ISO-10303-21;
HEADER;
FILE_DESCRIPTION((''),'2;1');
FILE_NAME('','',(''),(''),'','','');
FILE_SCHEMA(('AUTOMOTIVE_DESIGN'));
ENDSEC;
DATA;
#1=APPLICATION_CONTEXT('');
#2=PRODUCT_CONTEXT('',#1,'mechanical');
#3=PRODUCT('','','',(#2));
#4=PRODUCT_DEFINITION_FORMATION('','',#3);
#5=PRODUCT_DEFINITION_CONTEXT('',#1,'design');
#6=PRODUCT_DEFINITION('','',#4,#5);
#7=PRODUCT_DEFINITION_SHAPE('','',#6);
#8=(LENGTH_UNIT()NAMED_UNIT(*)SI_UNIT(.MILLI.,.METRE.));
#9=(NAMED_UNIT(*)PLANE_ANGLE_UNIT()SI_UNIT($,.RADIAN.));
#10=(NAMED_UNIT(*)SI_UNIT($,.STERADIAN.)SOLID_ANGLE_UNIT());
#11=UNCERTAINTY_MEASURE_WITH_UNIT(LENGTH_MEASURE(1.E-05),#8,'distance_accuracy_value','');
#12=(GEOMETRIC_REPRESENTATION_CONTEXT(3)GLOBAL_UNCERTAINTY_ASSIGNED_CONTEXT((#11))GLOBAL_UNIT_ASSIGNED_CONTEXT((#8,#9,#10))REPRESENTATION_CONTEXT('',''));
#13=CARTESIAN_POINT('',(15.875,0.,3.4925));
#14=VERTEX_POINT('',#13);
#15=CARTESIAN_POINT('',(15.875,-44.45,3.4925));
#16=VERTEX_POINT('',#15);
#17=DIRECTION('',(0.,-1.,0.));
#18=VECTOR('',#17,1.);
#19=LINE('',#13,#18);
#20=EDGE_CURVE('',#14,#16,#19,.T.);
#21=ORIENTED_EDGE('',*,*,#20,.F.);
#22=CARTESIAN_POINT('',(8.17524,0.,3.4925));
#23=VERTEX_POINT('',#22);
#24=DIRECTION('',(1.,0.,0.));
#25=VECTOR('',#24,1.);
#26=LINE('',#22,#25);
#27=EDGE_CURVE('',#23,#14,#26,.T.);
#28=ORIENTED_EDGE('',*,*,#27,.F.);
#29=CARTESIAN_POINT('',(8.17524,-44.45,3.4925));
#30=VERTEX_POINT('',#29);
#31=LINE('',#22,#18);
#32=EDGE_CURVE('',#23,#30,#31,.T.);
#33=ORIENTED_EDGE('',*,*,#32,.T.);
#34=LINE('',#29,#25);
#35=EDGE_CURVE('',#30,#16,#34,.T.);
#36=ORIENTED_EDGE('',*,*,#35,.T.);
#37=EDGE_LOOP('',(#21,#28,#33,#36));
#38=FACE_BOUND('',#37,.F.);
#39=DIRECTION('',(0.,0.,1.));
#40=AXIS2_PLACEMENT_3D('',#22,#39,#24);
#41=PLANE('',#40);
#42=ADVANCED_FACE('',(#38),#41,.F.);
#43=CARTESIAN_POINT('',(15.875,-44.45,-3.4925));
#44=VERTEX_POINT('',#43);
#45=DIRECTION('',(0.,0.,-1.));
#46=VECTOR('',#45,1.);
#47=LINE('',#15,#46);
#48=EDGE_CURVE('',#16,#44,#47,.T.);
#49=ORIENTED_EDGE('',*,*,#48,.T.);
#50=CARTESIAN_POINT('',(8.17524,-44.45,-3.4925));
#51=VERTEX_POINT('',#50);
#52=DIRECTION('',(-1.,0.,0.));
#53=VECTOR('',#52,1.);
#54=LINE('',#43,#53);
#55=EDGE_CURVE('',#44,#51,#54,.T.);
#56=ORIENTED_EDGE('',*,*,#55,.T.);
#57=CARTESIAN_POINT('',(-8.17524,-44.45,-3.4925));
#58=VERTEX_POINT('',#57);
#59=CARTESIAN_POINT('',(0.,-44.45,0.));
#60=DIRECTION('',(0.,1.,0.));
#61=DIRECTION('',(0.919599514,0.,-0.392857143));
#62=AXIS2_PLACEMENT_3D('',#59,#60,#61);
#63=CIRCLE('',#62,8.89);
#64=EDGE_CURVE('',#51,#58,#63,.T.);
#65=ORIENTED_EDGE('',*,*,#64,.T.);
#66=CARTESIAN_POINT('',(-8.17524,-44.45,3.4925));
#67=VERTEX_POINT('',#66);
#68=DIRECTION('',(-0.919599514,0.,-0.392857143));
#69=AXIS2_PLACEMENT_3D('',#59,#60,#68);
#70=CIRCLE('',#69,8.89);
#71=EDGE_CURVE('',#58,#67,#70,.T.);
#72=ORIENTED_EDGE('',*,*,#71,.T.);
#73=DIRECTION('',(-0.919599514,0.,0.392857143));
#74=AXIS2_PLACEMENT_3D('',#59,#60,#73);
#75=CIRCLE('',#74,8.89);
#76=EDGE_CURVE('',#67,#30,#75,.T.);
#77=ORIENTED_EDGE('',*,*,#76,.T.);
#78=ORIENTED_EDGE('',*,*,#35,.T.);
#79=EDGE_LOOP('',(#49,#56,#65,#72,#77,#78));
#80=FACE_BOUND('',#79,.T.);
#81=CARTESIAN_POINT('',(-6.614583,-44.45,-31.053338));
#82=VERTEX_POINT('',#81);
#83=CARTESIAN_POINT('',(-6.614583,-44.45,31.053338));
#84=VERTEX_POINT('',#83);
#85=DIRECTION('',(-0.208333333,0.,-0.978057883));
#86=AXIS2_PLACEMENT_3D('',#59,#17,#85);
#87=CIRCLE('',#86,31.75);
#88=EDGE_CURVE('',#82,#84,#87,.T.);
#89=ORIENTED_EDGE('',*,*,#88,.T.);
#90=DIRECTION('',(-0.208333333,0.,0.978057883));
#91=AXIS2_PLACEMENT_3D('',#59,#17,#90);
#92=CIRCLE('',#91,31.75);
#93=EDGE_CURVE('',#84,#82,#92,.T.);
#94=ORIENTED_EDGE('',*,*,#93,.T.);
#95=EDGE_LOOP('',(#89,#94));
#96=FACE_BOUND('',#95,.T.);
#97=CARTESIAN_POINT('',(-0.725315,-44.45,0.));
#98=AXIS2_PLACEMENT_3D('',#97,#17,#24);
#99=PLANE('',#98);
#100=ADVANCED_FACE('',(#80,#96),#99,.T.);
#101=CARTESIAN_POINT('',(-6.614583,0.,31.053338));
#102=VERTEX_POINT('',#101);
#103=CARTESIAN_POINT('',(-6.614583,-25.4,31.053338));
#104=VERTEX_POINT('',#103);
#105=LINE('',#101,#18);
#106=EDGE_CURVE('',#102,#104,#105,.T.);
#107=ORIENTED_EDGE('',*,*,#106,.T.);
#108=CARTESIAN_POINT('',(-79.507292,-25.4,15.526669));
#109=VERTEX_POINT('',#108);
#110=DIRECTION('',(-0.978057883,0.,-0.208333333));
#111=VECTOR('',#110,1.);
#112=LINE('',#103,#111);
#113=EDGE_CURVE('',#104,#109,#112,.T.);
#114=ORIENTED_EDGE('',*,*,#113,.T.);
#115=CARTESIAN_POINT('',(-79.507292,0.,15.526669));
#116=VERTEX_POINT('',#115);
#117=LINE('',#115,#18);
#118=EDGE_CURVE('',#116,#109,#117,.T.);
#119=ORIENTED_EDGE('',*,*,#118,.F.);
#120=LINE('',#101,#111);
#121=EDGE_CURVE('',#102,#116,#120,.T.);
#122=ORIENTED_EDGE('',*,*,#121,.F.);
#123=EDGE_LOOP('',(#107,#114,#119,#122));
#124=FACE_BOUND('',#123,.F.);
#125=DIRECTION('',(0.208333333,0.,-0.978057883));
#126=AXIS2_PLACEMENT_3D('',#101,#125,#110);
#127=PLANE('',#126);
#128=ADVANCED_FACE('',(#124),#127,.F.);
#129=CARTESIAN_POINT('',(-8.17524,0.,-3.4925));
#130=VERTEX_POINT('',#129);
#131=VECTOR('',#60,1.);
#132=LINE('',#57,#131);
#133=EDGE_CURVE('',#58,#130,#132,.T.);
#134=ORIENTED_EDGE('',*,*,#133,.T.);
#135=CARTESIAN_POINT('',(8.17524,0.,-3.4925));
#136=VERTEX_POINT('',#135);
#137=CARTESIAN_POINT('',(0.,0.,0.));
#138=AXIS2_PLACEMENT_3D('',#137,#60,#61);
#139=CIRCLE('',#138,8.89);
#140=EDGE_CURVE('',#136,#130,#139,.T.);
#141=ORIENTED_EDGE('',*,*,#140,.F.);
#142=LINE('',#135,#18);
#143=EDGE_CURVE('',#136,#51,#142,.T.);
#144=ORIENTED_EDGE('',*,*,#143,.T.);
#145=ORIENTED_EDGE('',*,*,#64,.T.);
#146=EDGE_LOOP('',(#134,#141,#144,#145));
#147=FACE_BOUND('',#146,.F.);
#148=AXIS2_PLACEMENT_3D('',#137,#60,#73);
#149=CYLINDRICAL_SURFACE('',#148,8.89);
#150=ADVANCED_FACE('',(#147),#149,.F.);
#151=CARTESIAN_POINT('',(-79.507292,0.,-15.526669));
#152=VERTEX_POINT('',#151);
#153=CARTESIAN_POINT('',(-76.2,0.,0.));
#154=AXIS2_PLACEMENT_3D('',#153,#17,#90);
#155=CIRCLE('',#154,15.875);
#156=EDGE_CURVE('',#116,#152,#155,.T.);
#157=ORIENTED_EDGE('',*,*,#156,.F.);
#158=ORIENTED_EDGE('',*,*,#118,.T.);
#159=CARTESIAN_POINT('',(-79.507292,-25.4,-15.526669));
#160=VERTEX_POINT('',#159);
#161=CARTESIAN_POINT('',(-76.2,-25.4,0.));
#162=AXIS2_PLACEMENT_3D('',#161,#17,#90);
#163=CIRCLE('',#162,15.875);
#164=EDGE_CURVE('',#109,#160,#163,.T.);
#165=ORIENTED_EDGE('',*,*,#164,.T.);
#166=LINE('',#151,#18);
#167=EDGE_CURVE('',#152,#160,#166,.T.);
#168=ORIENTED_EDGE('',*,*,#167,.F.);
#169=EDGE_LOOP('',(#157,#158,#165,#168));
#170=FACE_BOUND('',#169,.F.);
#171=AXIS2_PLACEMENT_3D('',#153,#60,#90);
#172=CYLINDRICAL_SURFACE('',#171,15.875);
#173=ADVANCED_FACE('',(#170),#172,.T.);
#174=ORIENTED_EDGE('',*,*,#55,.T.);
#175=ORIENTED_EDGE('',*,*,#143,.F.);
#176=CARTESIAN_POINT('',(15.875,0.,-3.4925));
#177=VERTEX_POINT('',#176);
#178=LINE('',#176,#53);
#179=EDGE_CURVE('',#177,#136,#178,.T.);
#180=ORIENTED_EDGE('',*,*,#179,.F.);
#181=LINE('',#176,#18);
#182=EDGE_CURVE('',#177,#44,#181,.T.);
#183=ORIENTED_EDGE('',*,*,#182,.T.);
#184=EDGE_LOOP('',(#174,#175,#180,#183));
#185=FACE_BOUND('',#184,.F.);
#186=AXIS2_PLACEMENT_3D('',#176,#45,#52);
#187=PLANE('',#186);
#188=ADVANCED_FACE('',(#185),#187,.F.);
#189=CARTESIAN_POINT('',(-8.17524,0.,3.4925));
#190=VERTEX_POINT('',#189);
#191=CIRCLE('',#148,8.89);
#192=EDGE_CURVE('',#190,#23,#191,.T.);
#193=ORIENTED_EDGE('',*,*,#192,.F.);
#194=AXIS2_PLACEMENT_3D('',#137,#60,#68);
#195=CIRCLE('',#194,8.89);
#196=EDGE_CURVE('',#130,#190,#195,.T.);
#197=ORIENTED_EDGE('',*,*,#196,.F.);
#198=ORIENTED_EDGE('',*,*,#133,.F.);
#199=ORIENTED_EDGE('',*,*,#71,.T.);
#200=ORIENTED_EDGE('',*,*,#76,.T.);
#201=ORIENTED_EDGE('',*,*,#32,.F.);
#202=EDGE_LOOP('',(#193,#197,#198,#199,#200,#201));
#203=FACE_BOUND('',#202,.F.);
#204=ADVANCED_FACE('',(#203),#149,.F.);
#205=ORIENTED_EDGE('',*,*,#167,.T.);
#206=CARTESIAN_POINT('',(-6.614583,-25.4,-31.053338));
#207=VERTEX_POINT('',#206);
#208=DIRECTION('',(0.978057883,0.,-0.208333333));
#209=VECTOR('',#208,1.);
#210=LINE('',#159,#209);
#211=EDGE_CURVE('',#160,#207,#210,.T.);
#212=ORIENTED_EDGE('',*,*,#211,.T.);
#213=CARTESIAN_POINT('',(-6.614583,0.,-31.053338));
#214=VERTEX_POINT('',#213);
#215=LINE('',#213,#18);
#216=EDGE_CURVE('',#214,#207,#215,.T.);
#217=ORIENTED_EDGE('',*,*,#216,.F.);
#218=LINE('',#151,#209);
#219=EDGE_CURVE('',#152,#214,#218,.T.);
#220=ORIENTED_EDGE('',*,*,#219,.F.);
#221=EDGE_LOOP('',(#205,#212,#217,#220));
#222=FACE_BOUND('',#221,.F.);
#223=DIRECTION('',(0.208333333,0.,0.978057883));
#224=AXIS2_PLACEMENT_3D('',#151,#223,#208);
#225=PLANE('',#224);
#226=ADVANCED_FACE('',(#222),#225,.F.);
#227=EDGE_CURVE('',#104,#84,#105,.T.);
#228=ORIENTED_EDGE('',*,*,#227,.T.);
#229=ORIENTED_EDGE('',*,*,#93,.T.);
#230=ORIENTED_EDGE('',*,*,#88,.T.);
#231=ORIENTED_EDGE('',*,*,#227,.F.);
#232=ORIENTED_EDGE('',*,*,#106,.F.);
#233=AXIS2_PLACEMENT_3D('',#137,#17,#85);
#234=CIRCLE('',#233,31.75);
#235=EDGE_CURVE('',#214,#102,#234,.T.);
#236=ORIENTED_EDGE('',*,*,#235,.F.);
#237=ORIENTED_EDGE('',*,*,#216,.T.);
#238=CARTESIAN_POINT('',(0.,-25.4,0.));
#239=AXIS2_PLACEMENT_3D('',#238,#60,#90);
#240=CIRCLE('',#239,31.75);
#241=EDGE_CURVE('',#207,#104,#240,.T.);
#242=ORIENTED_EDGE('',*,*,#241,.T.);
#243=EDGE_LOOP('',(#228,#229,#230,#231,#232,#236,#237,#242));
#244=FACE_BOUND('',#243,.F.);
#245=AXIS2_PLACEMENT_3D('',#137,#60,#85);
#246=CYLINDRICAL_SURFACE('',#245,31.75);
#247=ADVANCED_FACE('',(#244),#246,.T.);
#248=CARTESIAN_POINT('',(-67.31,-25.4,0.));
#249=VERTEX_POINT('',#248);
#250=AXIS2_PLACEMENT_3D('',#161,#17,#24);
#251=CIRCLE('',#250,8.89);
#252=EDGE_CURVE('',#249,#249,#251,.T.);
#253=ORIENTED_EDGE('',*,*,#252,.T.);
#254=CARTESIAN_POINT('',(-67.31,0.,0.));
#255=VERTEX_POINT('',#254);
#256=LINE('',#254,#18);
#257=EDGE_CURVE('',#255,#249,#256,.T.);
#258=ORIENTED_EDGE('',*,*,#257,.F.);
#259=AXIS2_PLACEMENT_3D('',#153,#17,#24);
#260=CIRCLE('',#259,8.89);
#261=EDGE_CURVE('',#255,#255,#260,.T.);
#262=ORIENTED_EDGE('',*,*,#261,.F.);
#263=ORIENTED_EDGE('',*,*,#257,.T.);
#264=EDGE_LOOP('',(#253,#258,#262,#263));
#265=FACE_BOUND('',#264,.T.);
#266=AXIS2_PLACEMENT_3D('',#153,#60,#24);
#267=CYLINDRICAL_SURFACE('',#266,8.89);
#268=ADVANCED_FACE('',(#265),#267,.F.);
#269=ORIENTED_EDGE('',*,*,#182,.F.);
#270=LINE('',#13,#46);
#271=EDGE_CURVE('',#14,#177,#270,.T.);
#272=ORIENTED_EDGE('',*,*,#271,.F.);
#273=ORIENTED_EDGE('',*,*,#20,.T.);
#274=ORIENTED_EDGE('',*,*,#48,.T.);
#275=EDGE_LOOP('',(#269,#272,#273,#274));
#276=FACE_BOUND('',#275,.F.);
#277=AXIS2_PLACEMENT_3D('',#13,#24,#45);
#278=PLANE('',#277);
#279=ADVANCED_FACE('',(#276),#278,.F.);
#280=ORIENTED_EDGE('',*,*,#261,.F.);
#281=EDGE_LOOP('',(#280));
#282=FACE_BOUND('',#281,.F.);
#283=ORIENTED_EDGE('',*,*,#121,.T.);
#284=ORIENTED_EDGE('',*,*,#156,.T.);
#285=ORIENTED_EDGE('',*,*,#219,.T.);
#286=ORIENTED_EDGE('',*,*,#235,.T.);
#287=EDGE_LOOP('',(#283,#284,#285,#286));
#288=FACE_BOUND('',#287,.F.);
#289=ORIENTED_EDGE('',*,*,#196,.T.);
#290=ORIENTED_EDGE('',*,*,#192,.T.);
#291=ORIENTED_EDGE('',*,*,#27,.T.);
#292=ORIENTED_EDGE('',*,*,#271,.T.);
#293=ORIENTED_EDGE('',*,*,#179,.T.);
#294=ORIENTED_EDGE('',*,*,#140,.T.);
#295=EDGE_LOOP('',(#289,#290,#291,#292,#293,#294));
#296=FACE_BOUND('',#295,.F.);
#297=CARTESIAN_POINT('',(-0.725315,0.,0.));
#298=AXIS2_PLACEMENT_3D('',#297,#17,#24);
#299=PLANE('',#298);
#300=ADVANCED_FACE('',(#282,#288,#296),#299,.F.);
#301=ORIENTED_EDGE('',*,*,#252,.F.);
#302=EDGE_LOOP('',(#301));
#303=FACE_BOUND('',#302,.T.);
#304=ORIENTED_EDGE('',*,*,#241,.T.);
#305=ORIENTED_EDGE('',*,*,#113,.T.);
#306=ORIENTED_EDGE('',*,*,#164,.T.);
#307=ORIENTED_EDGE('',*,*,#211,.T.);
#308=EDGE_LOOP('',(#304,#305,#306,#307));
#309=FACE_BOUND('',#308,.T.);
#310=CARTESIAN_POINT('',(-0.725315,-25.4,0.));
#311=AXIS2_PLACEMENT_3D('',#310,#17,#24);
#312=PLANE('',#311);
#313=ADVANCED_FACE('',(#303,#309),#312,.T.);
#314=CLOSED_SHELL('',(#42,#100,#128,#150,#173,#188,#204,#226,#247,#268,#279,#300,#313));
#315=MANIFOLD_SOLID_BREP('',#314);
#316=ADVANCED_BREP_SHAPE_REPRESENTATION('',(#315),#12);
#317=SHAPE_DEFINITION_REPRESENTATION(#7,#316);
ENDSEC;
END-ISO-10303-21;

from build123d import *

# Parameters (mm, degrees)
F0_R     = 8.89
F1_DEPTH = 25.4
F2_DEPTH = 44.45


with BuildPart() as f1:
    # F0 (on Front) → F1 (new body)
    with BuildSketch(Plane.XZ):
        with BuildLine():
            ThreePointArc((-6.6145833333, -31.0533377808), (19.97560361, -24.6786904113), (31.75, 0))
            ThreePointArc((31.75, 0), (19.97560361, 24.6786904113), (-6.6145833333, 31.0533377808))
            ThreePointArc((-6.6145833333, 31.0533377808), (-31.75, 0), (-6.6145833333, -31.0533377808))
        make_face()
        with BuildLine():
            ThreePointArc((-8.1752396754, 3.4925), (0, 8.89), (8.1752396754, 3.4925))
            Line((8.1752396754, 3.4925), (15.875, 3.4925))
            Line((15.875, 3.4925), (15.875, -3.4925))
            Line((15.875, -3.4925), (8.1752396754, -3.4925))
            ThreePointArc((8.1752396754, -3.4925), (0, -8.89), (-8.1752396754, -3.4925))
            Line((-8.1752396754, -3.4925), (-15.875, -3.4925))
            Line((-15.875, -3.4925), (-15.875, 3.4925))
            Line((-15.875, 3.4925), (-8.1752396754, 3.4925))
        make_face(mode=Mode.SUBTRACT)
        with BuildLine():
            ThreePointArc((-6.6145833333, -31.0533377808), (-31.75, 0), (-6.6145833333, 31.0533377808))
            Line((-6.6145833333, 31.0533377808), (-79.5072916667, 15.5266688904))
            ThreePointArc((-79.5072916667, 15.5266688904), (-66.212198195, 12.3393452056), (-60.325, 0))
            ThreePointArc((-60.325, 0), (-66.212198195, -12.3393452056), (-79.5072916667, -15.5266688904))
            Line((-79.5072916667, -15.5266688904), (-6.6145833333, -31.0533377808))
        make_face()
        with BuildLine():
            ThreePointArc((-60.325, 0), (-66.212198195, 12.3393452056), (-79.5072916667, 15.5266688904))
            ThreePointArc((-79.5072916667, 15.5266688904), (-92.075, 0), (-79.5072916667, -15.5266688904))
            ThreePointArc((-79.5072916667, -15.5266688904), (-66.212198195, -12.3393452056), (-60.325, 0))
        make_face()
        with Locations((-76.2, 0)):
            Circle(F0_R, mode=Mode.SUBTRACT)
        with BuildLine():
            ThreePointArc((-8.1752396754, -3.4925), (-8.89, 0), (-8.1752396754, 3.4925))
            Line((-8.1752396754, 3.4925), (-15.875, 3.4925))
            Line((-15.875, 3.4925), (-15.875, -3.4925))
            Line((-15.875, -3.4925), (-8.1752396754, -3.4925))
        make_face()
    extrude(amount=F1_DEPTH)

    # F0 (on Front) → F2 (join)
    with BuildSketch(Plane.XZ):
        with BuildLine():
            ThreePointArc((-6.6145833333, -31.0533377808), (19.97560361, -24.6786904113), (31.75, 0))
            ThreePointArc((31.75, 0), (19.97560361, 24.6786904113), (-6.6145833333, 31.0533377808))
            ThreePointArc((-6.6145833333, 31.0533377808), (-31.75, 0), (-6.6145833333, -31.0533377808))
        make_face()
        with BuildLine():
            ThreePointArc((-8.1752396754, 3.4925), (0, 8.89), (8.1752396754, 3.4925))
            Line((8.1752396754, 3.4925), (15.875, 3.4925))
            Line((15.875, 3.4925), (15.875, -3.4925))
            Line((15.875, -3.4925), (8.1752396754, -3.4925))
            ThreePointArc((8.1752396754, -3.4925), (0, -8.89), (-8.1752396754, -3.4925))
            Line((-8.1752396754, -3.4925), (-15.875, -3.4925))
            Line((-15.875, -3.4925), (-15.875, 3.4925))
            Line((-15.875, 3.4925), (-8.1752396754, 3.4925))
        make_face(mode=Mode.SUBTRACT)
        with BuildLine():
            ThreePointArc((-8.1752396754, -3.4925), (-8.89, 0), (-8.1752396754, 3.4925))
            Line((-8.1752396754, 3.4925), (-15.875, 3.4925))
            Line((-15.875, 3.4925), (-15.875, -3.4925))
            Line((-15.875, -3.4925), (-8.1752396754, -3.4925))
        make_face()
    extrude(amount=F2_DEPTH)


solid = f1.part
